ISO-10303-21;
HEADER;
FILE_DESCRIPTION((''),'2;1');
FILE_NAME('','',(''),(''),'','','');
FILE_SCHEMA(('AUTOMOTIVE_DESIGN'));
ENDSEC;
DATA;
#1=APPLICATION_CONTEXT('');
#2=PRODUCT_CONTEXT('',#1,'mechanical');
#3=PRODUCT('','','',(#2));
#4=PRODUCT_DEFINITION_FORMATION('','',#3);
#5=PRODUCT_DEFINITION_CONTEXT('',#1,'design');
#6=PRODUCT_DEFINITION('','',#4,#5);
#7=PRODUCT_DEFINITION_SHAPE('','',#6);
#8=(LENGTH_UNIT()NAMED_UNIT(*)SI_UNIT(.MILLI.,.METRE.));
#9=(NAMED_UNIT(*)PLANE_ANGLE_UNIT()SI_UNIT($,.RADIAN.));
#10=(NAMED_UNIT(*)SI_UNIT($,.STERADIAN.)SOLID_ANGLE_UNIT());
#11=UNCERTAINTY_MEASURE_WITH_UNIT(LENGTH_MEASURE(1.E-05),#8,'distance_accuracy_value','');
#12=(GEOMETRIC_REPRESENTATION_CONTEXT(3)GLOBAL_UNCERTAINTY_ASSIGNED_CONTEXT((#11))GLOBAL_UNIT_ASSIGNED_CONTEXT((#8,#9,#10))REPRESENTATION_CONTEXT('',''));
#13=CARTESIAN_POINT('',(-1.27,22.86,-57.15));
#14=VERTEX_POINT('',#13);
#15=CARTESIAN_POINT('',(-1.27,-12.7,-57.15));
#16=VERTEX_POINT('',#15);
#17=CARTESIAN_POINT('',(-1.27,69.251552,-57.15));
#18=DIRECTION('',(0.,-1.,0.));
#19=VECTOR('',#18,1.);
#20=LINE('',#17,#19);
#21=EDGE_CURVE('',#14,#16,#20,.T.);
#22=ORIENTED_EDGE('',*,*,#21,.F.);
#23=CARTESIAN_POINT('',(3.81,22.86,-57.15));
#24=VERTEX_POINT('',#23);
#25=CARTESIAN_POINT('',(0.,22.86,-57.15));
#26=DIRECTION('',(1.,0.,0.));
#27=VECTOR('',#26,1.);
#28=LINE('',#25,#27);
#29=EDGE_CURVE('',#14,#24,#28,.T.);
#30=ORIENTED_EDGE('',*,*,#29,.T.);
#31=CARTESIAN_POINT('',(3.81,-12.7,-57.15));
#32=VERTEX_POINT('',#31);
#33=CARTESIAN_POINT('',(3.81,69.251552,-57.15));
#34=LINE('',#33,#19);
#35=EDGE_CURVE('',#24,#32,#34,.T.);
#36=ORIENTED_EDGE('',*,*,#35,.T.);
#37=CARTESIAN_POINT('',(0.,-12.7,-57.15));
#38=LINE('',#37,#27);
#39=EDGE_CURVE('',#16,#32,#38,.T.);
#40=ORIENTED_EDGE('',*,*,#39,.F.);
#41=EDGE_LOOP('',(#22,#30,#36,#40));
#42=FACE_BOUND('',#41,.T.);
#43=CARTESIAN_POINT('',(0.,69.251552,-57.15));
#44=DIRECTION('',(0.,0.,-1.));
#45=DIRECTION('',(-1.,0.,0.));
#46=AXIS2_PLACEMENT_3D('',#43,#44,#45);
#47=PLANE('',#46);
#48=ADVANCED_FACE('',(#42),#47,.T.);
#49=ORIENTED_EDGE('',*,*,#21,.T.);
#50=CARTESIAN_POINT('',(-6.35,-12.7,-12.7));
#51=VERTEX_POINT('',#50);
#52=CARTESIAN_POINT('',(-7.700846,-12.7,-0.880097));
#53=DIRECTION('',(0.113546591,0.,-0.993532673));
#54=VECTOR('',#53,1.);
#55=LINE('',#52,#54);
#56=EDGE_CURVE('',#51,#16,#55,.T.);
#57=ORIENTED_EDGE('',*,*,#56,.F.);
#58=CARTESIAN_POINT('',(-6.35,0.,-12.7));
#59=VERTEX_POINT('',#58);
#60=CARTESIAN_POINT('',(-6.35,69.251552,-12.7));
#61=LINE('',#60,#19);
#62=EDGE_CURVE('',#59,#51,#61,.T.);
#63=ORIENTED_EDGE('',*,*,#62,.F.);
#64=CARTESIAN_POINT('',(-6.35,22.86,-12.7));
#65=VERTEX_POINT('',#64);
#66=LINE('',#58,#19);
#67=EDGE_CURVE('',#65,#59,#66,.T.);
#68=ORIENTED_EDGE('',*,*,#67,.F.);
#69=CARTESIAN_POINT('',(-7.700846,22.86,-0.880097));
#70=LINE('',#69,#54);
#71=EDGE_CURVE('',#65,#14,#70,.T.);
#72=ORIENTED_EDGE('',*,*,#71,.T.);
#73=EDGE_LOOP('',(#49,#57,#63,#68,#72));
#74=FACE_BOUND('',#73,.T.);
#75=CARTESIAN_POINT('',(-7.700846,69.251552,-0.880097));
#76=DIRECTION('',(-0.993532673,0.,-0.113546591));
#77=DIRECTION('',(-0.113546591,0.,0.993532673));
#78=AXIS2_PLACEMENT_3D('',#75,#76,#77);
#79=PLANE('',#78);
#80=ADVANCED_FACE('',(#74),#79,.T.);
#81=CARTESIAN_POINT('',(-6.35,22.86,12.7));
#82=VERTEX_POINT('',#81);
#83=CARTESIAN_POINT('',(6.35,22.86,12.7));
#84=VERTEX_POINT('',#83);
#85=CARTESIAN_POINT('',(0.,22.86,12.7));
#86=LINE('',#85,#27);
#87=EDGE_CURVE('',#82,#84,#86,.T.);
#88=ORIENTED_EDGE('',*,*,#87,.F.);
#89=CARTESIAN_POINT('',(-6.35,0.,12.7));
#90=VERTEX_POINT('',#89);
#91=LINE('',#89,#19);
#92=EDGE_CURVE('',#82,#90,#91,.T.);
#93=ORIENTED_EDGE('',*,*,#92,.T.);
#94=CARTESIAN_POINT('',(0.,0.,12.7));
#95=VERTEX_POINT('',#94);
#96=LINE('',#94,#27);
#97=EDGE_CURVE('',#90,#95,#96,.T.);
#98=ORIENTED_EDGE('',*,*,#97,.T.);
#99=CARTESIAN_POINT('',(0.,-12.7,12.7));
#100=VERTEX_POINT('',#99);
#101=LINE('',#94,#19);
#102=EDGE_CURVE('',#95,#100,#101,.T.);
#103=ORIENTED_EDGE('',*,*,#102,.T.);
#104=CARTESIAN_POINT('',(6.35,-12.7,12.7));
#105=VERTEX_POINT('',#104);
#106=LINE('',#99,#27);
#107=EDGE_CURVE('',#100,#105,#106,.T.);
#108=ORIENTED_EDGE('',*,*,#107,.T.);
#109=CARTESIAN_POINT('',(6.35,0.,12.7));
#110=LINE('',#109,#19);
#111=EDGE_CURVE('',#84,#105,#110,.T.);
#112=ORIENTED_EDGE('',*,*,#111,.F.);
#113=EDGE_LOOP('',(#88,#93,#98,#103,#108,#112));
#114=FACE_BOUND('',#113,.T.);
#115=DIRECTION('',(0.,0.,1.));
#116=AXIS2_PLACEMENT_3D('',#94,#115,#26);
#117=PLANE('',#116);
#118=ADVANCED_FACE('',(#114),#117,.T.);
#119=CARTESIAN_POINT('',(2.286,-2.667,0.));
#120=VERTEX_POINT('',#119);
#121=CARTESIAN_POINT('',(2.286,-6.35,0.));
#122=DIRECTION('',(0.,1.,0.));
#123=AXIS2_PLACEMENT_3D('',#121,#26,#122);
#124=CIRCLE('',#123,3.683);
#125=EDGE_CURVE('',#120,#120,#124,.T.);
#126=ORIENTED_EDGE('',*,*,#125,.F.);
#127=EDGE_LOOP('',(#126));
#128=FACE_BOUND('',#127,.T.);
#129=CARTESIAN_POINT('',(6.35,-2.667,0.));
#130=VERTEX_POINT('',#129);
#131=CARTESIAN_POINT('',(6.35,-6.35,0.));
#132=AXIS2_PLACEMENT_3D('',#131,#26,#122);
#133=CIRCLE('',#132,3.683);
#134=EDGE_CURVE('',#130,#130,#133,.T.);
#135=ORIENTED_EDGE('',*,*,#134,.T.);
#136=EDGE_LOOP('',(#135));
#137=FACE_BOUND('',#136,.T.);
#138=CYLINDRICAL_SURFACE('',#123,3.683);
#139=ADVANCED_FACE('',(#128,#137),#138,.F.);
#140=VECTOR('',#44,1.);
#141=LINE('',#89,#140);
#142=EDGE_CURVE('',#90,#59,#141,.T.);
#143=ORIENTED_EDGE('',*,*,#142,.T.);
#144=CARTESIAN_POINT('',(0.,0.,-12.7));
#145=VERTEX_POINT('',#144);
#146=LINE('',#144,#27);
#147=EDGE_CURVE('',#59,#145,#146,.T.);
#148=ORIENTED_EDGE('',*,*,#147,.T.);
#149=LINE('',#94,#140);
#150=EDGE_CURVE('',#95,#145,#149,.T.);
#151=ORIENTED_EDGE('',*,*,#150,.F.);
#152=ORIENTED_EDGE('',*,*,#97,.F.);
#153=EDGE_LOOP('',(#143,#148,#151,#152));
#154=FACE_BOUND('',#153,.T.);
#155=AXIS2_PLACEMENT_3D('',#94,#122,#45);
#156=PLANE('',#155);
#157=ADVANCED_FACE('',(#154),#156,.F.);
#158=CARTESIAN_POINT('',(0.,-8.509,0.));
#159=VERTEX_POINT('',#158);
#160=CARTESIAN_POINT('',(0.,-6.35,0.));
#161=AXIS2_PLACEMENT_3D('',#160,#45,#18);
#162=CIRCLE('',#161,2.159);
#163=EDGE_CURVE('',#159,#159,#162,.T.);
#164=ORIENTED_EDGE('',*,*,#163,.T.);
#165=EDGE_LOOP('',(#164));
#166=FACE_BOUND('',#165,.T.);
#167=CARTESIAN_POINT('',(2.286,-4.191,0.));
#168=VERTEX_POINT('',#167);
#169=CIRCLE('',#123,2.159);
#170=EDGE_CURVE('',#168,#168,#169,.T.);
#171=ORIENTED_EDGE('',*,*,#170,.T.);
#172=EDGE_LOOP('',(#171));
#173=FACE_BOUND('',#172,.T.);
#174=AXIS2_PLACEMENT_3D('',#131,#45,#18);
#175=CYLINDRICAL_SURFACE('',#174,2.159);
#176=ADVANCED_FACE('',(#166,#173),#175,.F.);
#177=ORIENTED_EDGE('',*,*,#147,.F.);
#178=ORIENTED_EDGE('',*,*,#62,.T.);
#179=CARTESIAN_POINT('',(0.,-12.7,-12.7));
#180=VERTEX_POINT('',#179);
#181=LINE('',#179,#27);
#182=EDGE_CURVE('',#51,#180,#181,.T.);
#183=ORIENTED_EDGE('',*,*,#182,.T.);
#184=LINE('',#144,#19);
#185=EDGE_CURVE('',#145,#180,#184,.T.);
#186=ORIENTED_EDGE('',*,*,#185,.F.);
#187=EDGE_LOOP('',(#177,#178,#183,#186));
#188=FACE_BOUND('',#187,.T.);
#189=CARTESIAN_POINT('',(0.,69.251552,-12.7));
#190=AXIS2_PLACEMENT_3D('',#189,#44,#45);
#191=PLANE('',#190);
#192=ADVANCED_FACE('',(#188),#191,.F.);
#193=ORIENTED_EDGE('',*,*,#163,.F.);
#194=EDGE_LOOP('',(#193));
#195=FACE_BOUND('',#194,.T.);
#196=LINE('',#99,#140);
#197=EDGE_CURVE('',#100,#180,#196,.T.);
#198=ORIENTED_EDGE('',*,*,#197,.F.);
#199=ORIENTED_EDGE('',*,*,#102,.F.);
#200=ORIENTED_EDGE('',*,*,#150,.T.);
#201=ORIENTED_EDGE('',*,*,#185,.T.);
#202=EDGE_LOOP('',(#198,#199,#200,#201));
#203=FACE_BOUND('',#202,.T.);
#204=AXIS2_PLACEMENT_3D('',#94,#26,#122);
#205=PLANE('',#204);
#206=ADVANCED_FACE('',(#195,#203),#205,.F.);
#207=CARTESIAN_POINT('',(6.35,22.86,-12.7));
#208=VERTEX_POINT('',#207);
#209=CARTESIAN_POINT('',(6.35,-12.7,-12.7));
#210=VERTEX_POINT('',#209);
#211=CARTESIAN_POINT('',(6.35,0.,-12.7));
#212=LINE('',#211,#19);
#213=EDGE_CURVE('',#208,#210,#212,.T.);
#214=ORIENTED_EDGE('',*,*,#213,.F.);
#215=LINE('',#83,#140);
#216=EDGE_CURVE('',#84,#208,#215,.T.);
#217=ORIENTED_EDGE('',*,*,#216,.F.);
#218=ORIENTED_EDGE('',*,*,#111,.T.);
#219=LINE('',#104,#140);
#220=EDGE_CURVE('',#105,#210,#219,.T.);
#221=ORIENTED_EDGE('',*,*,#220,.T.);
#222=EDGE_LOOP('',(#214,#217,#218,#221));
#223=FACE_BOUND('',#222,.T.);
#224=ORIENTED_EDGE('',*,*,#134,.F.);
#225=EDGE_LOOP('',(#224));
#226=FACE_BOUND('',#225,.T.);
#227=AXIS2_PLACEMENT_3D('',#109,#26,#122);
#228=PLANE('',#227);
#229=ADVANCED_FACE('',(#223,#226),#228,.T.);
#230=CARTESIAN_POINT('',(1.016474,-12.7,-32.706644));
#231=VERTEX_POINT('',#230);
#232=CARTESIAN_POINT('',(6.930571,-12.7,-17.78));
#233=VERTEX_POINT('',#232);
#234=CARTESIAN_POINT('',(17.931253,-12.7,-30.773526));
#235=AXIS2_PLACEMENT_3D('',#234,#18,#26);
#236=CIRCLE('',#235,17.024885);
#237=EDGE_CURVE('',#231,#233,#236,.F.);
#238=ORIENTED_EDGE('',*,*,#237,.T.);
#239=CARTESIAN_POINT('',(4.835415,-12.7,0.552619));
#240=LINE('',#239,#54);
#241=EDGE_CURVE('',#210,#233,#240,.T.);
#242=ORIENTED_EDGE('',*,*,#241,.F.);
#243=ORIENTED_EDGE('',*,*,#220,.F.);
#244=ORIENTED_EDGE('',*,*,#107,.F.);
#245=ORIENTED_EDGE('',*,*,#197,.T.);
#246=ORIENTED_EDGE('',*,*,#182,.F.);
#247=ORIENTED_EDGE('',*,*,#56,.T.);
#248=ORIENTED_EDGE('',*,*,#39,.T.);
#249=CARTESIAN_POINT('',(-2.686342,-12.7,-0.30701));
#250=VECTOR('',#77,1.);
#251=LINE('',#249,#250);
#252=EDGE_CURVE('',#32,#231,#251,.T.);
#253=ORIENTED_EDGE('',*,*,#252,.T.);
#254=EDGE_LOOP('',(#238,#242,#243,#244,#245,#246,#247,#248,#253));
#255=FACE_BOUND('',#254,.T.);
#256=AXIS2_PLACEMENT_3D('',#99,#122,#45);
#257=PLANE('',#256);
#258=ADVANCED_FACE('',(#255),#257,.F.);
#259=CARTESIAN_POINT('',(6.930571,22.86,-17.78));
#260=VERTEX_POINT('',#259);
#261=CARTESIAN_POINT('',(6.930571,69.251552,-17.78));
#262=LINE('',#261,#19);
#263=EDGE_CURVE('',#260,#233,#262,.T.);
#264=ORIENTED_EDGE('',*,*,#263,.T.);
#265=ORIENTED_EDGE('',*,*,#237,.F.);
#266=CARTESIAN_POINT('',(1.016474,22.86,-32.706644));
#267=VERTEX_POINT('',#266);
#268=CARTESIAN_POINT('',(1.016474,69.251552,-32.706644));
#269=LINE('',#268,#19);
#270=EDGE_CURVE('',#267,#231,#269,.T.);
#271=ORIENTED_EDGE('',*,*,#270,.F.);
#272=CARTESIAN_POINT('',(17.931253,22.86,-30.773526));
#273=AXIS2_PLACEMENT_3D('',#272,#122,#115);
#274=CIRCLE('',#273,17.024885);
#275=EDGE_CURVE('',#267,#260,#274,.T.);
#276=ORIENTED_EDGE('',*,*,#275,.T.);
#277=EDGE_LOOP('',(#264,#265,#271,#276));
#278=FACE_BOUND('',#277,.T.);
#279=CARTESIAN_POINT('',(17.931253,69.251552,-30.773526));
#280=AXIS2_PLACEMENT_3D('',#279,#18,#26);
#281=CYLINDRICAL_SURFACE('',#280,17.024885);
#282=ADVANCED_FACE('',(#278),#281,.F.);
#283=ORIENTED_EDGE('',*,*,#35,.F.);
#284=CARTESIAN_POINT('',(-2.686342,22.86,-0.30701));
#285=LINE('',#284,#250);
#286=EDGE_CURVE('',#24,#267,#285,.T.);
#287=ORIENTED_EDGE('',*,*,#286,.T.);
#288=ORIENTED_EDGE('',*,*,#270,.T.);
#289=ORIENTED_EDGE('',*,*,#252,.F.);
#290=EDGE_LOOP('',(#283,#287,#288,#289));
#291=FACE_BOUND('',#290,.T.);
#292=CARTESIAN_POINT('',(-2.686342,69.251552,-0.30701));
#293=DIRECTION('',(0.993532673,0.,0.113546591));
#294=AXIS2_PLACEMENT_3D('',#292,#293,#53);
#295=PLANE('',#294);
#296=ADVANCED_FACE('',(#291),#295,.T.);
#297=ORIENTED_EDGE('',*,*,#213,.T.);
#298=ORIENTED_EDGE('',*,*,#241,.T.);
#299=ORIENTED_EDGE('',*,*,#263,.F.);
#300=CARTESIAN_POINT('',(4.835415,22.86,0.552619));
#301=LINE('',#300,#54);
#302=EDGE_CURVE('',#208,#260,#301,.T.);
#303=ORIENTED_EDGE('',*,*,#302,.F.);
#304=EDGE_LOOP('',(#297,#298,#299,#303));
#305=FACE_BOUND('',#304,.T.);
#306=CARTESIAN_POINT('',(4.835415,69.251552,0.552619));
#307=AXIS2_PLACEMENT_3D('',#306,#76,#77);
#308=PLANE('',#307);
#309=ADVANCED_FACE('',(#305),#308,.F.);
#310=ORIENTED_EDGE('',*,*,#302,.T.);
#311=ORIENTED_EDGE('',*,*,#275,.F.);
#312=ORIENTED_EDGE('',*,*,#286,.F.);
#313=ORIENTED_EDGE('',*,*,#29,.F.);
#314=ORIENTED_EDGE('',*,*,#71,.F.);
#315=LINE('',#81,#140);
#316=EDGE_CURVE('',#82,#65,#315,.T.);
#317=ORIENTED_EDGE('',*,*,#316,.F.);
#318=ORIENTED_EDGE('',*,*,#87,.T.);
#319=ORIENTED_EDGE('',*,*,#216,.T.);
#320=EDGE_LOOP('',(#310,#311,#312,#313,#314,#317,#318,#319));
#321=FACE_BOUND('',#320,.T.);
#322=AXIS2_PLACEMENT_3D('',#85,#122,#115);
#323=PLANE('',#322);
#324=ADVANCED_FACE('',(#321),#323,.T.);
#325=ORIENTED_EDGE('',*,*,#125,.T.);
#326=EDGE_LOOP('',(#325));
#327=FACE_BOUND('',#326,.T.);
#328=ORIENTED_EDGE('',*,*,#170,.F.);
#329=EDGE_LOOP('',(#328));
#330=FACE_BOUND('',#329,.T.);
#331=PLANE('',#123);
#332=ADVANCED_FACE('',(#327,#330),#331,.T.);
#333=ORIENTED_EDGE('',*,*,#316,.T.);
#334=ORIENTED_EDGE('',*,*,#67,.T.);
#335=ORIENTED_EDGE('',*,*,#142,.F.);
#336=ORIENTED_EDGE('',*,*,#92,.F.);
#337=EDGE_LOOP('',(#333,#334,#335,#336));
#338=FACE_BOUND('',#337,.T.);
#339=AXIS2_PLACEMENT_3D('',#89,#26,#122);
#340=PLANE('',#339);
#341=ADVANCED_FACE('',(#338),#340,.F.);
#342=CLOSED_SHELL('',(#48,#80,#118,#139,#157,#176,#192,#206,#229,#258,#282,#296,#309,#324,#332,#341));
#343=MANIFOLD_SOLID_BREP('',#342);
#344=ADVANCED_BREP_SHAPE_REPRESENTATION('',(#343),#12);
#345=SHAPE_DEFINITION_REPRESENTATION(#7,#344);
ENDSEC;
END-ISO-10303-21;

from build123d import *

# Parameters (mm, degrees)
PROFILE_W               = 12.7
PROFILE_H               = 22.86
PROFILE_W_2             = 6.35
PROFILE_H_2             = 12.7
BOSS_EXTRUDE1_DEPTH     = 12.7
SCREWHOLE_R             = 2.159
CUT_EXTRUDE1_DEPTH      = 7.35
CUT_EXTRUDE1_DEPTH_BACK = 7.35
SKETCH3_R               = 3.683
SKETCH3_R_2             = 2.159
CUT_EXTRUDE2_DEPTH      = 4.064
BOSS_EXTRUDE2_DEPTH     = 35.56


with BuildPart() as part:
    # Profile → Boss-Extrude1 (new body, symmetric)
    with BuildSketch(Plane.XY):
        with Locations((0, 11.43)):
            Rectangle(PROFILE_W, PROFILE_H)
        with Locations((3.175, -6.35)):
            Rectangle(PROFILE_W_2, PROFILE_H_2)
    extrude(amount=BOSS_EXTRUDE1_DEPTH, both=True)

    # ScrewHole → Cut-Extrude1 (cut, two sides)
    with BuildSketch(Plane.ZY) as cut_extrude1_sk:
        with Locations((0, -6.35)):
            Circle(SCREWHOLE_R)
    extrude(amount=CUT_EXTRUDE1_DEPTH, mode=Mode.SUBTRACT)
    extrude(cut_extrude1_sk.sketch, amount=-CUT_EXTRUDE1_DEPTH_BACK, mode=Mode.SUBTRACT)

    # Sketch3 → Cut-Extrude2 (cut)
    with BuildSketch(Plane(origin=(6.35, 0, 0), x_dir=(0, 0, -1), z_dir=(1, 0, 0))):
        with Locations((0, -6.35)):
            Circle(SKETCH3_R)
        with Locations((0, -6.35)):
            Circle(SKETCH3_R_2, mode=Mode.SUBTRACT)
    extrude(amount=-CUT_EXTRUDE2_DEPTH, mode=Mode.SUBTRACT)

    # Sketch5 → Boss-Extrude2 (add)
    with BuildSketch(Plane.XZ.offset(12.7)):
        with BuildLine():
            Line((-1.27, -57.15), (3.81, -57.15))
            Line((3.81, -57.15), (1.016473553, -32.70664359))
            ThreePointArc((1.016473553, -32.70664359), (2.103447964, -24.502378011), (6.930571429, -17.78))
            Line((6.930571429, -17.78), (6.35, -12.7))
            Line((6.35, -12.7), (0, -12.7))
            Line((0, -12.7), (-6.35, -12.7))
            Line((-6.35, -12.7), (-1.27, -57.15))
        make_face()
    extrude(amount=-BOSS_EXTRUDE2_DEPTH)


solid = part.part
